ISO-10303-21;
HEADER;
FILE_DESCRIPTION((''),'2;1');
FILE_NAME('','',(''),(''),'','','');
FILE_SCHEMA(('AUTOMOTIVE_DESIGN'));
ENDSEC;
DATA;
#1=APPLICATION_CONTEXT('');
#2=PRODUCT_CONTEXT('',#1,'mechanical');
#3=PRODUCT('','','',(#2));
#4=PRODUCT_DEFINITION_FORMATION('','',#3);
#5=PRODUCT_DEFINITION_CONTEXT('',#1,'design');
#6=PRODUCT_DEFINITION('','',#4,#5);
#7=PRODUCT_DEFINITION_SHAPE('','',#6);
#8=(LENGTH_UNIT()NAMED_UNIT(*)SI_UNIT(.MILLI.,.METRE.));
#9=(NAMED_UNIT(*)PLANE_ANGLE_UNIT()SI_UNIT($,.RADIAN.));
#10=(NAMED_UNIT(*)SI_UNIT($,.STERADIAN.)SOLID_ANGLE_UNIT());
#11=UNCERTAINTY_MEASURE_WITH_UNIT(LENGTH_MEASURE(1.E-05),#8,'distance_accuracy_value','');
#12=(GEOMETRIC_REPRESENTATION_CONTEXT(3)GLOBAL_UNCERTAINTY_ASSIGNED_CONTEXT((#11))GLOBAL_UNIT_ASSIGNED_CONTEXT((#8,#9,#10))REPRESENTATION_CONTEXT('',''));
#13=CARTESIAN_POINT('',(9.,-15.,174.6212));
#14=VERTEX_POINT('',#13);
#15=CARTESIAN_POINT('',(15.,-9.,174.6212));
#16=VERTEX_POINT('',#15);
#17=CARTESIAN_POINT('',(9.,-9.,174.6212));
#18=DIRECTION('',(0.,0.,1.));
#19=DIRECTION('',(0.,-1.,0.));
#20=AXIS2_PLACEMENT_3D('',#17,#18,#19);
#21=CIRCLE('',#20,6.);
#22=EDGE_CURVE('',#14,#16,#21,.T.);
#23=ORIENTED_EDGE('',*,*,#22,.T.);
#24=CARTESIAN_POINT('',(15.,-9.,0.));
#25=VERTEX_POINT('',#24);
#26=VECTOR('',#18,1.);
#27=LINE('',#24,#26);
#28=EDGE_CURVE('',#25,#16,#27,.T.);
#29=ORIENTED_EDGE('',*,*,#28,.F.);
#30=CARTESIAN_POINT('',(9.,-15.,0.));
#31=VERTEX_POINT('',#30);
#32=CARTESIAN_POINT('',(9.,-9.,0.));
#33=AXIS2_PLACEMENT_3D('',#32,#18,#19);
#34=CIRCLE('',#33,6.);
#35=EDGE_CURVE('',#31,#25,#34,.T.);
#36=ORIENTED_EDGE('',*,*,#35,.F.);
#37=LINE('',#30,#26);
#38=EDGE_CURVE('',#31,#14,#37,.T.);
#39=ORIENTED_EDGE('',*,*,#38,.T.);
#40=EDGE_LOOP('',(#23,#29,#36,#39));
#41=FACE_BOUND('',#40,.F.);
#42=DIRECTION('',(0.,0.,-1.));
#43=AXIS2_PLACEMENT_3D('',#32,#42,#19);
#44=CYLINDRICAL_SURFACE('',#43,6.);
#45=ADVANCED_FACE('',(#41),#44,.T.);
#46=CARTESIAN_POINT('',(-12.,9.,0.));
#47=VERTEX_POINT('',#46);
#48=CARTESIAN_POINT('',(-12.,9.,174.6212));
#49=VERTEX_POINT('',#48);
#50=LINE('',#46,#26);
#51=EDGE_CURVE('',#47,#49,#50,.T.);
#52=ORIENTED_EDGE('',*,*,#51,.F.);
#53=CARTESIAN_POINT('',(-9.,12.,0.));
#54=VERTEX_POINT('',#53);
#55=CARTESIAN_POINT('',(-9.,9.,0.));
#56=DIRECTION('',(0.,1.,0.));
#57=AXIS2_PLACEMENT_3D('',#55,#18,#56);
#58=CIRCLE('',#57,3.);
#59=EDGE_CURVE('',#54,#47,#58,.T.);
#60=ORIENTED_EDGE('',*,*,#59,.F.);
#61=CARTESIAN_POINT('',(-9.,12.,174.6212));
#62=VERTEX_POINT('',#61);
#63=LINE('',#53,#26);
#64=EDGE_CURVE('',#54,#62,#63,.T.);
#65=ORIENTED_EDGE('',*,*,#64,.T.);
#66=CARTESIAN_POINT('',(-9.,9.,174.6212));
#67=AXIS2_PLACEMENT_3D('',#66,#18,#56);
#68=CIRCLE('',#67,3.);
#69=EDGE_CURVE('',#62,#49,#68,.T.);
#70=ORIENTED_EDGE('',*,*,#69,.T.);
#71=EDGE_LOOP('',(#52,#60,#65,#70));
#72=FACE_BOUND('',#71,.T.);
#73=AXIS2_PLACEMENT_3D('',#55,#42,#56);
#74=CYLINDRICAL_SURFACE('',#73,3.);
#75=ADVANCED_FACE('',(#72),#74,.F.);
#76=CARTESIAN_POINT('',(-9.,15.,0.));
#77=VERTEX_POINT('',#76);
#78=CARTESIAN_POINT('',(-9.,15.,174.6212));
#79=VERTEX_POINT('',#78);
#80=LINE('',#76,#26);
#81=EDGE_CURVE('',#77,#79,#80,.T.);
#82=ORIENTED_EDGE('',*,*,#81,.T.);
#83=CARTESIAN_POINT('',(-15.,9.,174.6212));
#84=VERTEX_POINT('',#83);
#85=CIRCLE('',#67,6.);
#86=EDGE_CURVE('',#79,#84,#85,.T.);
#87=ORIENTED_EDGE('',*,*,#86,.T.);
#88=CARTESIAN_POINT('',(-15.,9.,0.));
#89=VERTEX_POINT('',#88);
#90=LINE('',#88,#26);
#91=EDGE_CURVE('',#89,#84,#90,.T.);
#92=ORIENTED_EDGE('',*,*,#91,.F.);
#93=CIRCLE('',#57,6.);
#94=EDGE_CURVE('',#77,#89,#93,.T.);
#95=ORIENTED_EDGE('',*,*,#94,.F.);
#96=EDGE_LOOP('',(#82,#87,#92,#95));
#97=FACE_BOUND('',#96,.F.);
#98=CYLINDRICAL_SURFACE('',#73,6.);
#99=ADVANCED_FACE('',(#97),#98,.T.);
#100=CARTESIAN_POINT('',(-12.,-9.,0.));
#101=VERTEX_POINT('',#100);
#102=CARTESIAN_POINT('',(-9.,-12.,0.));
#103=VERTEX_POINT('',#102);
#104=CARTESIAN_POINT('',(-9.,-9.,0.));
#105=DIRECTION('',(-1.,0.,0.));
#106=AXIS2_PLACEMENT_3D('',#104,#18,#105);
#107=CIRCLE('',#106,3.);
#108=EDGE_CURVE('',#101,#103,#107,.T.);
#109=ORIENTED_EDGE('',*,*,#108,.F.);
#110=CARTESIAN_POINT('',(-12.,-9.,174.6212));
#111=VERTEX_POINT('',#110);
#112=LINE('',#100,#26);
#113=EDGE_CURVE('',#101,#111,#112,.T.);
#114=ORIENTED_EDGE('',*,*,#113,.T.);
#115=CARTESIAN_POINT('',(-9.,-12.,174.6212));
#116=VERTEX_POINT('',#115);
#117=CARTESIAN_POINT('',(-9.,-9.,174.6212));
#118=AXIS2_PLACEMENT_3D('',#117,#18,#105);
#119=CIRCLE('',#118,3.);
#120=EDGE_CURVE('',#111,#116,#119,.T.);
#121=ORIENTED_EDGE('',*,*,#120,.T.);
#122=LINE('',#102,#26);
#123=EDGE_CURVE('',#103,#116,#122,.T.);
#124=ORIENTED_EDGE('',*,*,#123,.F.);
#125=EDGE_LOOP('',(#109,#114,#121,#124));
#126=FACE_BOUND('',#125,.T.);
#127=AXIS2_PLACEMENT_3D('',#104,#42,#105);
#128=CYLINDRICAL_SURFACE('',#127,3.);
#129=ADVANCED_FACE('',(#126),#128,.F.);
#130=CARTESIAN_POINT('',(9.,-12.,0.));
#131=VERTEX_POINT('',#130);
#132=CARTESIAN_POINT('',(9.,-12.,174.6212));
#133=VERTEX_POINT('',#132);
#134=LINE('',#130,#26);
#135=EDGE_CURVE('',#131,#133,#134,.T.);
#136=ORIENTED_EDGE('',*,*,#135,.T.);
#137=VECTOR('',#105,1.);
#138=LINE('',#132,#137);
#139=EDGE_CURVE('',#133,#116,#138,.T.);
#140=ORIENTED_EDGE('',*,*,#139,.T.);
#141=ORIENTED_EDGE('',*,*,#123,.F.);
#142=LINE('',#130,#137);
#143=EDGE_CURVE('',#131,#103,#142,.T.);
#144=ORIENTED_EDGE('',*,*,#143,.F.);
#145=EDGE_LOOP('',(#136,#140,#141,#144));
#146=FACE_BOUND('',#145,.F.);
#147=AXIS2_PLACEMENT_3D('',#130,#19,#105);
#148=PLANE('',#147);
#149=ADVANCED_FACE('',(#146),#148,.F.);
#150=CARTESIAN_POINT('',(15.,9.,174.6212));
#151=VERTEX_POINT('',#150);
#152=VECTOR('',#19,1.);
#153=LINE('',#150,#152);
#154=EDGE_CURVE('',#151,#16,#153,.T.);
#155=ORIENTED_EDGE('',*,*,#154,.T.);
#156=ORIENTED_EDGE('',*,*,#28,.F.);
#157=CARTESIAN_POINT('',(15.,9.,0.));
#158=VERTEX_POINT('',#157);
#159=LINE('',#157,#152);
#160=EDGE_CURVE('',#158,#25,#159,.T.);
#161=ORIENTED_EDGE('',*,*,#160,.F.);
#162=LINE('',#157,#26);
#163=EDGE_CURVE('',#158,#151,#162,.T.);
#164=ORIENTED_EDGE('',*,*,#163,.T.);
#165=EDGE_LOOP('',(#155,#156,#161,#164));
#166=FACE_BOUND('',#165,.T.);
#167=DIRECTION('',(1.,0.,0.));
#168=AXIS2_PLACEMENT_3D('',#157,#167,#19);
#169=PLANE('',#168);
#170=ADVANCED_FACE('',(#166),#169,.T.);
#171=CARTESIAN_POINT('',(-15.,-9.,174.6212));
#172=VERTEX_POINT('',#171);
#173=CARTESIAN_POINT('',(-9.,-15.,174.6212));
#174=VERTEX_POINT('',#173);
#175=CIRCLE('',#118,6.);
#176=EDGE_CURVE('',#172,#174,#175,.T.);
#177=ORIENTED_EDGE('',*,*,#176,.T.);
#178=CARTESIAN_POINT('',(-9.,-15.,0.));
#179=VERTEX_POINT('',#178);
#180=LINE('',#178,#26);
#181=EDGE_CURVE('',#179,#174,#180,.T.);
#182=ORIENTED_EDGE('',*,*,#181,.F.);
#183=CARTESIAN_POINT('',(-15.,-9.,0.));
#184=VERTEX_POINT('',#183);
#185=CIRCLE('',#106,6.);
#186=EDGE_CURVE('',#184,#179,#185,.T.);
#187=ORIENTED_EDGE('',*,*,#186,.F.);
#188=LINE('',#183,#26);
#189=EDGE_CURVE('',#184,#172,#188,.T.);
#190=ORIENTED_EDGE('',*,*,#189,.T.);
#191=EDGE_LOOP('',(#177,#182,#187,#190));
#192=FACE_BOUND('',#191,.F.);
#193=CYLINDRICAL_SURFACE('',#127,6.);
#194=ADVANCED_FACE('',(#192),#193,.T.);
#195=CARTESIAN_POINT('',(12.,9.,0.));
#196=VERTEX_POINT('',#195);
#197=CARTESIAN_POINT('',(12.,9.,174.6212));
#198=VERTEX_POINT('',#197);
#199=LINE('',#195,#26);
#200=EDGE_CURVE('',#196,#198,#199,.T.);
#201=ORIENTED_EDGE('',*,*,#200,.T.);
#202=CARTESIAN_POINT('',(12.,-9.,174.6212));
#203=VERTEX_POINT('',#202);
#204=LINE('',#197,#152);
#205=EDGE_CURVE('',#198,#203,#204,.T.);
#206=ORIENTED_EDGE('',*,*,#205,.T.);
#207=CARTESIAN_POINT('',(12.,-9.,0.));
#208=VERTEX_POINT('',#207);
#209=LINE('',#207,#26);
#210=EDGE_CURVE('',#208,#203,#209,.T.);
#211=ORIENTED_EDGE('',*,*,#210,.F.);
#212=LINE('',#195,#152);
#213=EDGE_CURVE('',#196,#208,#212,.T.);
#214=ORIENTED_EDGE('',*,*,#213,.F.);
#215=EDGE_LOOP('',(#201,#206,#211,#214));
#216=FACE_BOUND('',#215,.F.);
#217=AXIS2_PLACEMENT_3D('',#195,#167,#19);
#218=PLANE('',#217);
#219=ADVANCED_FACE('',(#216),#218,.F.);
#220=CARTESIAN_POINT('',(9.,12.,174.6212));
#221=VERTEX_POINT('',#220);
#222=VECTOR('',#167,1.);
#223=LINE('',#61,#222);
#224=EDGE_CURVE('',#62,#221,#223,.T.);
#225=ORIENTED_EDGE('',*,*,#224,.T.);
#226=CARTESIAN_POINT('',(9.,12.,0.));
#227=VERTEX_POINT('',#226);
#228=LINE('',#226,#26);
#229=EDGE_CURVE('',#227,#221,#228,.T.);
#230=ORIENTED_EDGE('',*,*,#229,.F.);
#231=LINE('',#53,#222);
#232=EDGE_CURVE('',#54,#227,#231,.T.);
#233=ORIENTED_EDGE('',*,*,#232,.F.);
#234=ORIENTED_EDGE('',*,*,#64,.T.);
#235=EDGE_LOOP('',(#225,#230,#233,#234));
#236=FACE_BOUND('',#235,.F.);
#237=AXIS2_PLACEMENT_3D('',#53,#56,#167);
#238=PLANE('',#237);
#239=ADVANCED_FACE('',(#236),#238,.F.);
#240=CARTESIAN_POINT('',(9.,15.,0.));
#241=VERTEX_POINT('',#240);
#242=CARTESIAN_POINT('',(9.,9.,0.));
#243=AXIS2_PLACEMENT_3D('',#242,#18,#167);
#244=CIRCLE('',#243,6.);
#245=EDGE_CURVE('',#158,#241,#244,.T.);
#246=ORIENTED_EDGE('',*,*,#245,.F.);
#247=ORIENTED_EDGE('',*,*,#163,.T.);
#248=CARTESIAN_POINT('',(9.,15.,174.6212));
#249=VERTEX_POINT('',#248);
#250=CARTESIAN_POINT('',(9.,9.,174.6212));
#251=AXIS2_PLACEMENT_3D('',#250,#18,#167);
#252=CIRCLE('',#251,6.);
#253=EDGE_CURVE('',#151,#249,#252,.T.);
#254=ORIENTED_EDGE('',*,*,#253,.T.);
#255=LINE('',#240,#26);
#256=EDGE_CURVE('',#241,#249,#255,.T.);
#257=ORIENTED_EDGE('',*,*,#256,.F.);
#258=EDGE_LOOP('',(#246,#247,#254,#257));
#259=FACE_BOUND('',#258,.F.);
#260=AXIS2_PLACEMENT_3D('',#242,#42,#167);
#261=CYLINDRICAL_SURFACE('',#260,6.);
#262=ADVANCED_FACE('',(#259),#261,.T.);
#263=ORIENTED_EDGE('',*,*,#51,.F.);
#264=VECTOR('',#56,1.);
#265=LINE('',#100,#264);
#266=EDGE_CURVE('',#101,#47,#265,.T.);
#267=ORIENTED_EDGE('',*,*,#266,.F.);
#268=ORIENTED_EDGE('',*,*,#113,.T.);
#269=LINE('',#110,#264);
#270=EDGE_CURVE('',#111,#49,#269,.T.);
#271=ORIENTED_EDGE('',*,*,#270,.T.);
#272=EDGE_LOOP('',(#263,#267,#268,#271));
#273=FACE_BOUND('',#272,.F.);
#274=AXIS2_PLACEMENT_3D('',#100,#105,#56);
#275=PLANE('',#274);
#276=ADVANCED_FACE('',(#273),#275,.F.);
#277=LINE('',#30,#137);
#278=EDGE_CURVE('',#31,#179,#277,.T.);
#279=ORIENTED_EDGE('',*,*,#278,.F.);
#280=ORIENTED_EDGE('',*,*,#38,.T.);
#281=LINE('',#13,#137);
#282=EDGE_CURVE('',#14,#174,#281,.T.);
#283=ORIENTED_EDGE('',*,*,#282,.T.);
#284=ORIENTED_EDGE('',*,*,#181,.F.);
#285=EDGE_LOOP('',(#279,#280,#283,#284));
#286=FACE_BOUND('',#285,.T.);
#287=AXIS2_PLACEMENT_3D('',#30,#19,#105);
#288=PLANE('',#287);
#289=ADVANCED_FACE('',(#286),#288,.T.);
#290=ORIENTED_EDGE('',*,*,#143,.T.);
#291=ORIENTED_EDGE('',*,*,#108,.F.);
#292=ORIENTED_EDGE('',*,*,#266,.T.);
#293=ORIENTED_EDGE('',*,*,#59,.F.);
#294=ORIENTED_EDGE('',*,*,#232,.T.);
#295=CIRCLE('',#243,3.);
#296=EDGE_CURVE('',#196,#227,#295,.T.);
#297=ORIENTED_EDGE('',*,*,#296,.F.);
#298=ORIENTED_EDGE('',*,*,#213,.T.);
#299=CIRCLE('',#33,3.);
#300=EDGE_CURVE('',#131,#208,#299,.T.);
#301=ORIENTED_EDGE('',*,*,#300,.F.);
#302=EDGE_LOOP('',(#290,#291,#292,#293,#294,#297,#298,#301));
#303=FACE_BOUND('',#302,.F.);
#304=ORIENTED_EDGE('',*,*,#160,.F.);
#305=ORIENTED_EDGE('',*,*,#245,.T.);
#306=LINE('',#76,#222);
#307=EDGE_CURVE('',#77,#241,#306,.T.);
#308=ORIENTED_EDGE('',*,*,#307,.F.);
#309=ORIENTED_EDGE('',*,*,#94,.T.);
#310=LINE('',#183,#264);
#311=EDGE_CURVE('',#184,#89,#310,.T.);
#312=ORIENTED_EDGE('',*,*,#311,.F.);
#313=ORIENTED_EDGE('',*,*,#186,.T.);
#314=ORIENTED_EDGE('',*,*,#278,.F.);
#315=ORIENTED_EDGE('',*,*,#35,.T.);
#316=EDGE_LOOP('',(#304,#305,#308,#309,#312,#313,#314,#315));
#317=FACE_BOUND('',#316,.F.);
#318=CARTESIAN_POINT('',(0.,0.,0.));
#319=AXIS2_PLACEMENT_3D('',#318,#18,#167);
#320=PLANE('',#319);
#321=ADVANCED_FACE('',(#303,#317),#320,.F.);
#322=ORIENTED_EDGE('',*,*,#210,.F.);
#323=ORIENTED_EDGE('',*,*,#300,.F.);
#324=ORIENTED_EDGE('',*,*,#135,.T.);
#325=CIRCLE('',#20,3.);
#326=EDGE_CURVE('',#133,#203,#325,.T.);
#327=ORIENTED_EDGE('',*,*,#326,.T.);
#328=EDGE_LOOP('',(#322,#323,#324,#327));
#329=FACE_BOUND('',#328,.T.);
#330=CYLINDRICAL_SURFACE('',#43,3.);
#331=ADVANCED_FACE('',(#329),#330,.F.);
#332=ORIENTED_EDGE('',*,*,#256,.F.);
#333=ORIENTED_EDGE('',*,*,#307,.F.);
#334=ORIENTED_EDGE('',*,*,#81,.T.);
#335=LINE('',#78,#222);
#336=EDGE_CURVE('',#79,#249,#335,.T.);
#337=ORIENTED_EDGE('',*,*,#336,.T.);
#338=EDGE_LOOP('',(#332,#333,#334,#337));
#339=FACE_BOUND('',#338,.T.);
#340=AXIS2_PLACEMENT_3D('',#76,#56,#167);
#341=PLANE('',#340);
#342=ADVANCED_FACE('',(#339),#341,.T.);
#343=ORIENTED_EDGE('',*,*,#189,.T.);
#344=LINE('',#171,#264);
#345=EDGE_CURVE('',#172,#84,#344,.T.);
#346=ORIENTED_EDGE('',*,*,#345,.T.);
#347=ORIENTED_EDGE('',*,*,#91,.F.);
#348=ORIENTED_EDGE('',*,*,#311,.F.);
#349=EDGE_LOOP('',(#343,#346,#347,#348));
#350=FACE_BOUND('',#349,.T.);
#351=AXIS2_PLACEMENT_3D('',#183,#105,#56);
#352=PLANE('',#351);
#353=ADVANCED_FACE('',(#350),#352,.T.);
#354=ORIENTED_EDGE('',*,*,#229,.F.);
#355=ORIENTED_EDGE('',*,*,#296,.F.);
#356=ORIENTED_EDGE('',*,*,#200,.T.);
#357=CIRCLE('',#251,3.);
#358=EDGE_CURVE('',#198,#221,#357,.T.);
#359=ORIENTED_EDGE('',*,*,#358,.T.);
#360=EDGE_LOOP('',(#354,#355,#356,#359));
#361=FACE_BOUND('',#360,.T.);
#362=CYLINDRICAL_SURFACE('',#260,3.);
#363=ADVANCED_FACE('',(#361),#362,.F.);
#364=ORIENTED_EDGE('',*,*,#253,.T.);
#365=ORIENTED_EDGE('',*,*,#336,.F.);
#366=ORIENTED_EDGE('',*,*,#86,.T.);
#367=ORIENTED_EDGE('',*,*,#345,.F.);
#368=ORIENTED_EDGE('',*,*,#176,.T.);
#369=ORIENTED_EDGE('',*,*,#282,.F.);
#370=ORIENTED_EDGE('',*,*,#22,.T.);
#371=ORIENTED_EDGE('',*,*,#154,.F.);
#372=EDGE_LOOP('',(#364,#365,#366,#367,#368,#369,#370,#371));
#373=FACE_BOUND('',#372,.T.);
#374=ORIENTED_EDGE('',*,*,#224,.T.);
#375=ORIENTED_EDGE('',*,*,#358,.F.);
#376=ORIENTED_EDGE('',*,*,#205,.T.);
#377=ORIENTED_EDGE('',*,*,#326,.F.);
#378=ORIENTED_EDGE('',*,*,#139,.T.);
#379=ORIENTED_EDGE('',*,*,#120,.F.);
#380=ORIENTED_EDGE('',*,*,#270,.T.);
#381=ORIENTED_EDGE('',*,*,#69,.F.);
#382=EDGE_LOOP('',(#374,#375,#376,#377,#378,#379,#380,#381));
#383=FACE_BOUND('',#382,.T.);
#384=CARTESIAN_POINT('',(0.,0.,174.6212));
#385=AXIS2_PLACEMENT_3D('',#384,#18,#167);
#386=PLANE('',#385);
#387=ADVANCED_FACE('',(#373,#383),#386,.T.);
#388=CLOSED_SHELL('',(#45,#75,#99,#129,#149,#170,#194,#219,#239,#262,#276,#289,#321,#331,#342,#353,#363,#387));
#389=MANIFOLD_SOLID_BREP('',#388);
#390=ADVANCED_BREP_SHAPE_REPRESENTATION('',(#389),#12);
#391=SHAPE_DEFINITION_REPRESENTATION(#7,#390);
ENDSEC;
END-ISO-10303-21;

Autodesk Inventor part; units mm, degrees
ref_plane "YZ Plane" through (0, 0, 0) normal (1, 0, 0) x (0, 1, 0)
ref_plane "Plano inicial" through (0, 0, 0) normal (0, 0, 1) x (1, 0, 0)
ref_plane "Plano final" through (0, 0, 174.6212) normal (0, 0, 1) x (1, 0, 0)
sketch "Esboço" plane through (0, 0, 0) normal (0, 0, 1) x (1, 0, 0)
  line L0 (-15, -9) -> (-15, 9)
  line L1 (-9, 15) -> (9, 15)
  line L2 (15, 9) -> (15, -9)
  line L3 (9, -15) -> (-9, -15)
  arc A0 (-15, -9) -> (-9, -15) centre (-9, -9) ccw
  arc A1 (15, 9) -> (9, 15) centre (9, 9) ccw
  arc A2 (-9, 15) -> (-15, 9) centre (-9, 9) ccw
  arc A3 (9, -15) -> (15, -9) centre (9, -9) ccw
  arc A4 (-9, 12) -> (-12, 9) centre (-9, 9) ccw
  line L4 (-9, 12) -> (9, 12)
  arc A5 (12, 9) -> (9, 12) centre (9, 9) ccw
  line L5 (12, 9) -> (12, -9)
  arc A6 (9, -12) -> (12, -9) centre (9, -9) ccw
  line L6 (9, -12) -> (-9, -12)
  arc A7 (-12, -9) -> (-9, -12) centre (-9, -9) ccw
  line L7 (-12, -9) -> (-12, 9)
  line L8 (0, 22.7397) -> (0, -22.7397) construction
  line L9 (-22.7397, 0) -> (22.7397, 0) construction
  dimension "d7" = 6
  dimension "d9" = 30
  dimension "d11" = 30
  dimension "d12" = 3
  dimension "d15" = 15
  dimension "d16" = 15
extrude "Corpo" add sketch "Esboço" along normal up to surface (174.6212 mm away) from surface at 0
sketch "Sketch3" plane through (0, 0, 0) normal (0, 0, 1) x (1, 0, 0)
  line L0 (0, 0) -> (10, 0)
ref_plane "Work Plane3" through (0, 0, 0) normal (0, -1, 0) x (1, 0, 0)
sketch "Sketch4" plane through (0, 0, 0) normal (0, -1, 0) x (1, 0, 0)
  line L0 (-2, 0) -> (12, 0)
  line L1 (-2, 174.6212) -> (12, 174.6212)
  dimension "d18" = 174.6212
equation "\"d7\" = G_IR"
equation "\"d9\" = G_W"
equation "\"d11\" = G_H"
equation "\"d12\" = G_T"
equation "\"d15\" = 0.5 * d9"
equation "\"d16\" = 0.5 * d11"
equation "\"d3\" = G_L"
equation "\"G_W\" = 30"
equation "\"G_H\" = 30"
equation "\"G_T\" = 3"
equation "\"G_IR\" = 6"
equation "\"G_L\" = d18"
equation "\"G_OFFSET_START\" = 0"
equation "\"G_OFFSET_END\" = 0"
equation "\"d14\" = G_OFFSET_END + B_L"
equation "\"B_L\" = 174.62119"
properties part number "ISO 10799-2 - 30x30x3 - 174,621" material "Aço, suave"
